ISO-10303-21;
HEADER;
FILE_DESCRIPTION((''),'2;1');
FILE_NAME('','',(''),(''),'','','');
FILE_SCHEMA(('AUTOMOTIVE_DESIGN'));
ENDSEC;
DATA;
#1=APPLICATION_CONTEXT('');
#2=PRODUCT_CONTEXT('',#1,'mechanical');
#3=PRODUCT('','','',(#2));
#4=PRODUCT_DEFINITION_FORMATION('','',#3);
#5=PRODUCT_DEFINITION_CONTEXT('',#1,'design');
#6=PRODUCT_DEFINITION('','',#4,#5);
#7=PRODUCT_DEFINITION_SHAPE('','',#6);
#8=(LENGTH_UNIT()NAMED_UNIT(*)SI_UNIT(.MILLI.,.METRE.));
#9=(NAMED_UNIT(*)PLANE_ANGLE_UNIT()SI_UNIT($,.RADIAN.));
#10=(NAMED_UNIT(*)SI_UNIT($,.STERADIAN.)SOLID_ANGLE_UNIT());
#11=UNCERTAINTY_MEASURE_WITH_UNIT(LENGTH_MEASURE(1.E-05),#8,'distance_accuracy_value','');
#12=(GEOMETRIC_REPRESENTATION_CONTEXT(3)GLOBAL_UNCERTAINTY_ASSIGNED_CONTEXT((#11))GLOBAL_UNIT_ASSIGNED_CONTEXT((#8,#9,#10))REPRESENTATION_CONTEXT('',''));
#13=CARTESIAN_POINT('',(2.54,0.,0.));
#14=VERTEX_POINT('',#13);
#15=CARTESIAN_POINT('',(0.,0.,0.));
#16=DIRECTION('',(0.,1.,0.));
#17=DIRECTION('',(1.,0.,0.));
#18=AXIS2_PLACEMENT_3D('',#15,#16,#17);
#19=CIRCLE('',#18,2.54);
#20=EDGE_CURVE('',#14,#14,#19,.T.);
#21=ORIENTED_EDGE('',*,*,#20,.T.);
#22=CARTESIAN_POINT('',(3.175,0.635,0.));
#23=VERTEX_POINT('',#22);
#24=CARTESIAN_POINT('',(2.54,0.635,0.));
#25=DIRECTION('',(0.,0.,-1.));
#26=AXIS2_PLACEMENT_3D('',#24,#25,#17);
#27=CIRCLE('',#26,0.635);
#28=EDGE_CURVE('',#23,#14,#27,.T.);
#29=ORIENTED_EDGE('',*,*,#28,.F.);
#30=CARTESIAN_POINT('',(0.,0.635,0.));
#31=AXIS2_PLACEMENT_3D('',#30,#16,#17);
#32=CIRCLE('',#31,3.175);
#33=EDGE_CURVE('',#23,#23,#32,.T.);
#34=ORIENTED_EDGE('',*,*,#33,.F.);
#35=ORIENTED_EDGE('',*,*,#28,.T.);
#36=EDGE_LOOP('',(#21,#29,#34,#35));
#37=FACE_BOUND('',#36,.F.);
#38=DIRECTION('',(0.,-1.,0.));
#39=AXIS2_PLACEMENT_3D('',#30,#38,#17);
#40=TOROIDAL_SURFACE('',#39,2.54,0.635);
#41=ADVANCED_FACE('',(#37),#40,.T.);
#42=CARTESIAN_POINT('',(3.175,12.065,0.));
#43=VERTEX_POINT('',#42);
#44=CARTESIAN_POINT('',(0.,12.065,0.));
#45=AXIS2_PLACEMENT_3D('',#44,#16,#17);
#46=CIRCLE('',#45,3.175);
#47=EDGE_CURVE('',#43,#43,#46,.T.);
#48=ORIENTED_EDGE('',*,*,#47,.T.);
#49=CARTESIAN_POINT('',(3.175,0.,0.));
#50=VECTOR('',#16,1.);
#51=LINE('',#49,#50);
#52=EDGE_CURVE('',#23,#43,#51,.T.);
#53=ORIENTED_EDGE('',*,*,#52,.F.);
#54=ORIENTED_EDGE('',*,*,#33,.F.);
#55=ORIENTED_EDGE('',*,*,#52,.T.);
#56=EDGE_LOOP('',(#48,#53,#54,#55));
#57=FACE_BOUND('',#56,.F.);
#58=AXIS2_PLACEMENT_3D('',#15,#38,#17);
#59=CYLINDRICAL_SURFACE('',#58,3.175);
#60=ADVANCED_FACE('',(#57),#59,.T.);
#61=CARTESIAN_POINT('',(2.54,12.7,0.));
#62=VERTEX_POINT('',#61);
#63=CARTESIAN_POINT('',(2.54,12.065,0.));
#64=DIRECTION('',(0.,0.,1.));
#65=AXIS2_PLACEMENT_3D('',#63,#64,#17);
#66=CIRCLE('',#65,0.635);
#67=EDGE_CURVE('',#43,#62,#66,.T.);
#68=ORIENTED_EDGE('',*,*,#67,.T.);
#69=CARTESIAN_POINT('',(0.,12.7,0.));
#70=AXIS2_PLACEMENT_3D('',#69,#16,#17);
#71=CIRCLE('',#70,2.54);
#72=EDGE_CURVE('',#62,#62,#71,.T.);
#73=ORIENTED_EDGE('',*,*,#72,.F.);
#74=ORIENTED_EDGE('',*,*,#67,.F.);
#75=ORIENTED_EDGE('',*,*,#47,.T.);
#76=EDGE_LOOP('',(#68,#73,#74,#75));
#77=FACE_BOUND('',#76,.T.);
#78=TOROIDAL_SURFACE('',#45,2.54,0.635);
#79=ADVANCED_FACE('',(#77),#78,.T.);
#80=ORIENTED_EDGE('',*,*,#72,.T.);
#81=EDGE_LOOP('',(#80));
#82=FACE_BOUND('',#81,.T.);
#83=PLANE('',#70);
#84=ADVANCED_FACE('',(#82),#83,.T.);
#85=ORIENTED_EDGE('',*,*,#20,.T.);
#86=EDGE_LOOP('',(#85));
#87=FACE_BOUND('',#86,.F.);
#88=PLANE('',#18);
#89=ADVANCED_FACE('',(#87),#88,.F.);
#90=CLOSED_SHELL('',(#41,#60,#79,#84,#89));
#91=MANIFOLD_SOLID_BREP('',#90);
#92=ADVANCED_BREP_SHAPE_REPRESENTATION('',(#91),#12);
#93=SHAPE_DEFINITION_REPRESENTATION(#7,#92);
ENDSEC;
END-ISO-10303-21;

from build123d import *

# Parameters (mm, degrees)
SKETCH1_R           = 3.175
BOSS_EXTRUDE1_DEPTH = 12.7
FILLET1_R           = 0.635


with BuildPart() as part:
    # Sketch1 → Boss-Extrude1 (new body)
    with BuildSketch(Plane(origin=(0, 0, 0), x_dir=(1, 0, 0), z_dir=(0, 1, 0))):
        Circle(SKETCH1_R)
    extrude(amount=BOSS_EXTRUDE1_DEPTH)

    # Fillet1
    fillet1_edges = [part.edges().sort_by_distance(p)[0] for p in [
        (-3.175, 0, 0),
        (-3.175, 12.7, 0),
    ]]
    fillet(fillet1_edges, radius=FILLET1_R)


solid = part.part
